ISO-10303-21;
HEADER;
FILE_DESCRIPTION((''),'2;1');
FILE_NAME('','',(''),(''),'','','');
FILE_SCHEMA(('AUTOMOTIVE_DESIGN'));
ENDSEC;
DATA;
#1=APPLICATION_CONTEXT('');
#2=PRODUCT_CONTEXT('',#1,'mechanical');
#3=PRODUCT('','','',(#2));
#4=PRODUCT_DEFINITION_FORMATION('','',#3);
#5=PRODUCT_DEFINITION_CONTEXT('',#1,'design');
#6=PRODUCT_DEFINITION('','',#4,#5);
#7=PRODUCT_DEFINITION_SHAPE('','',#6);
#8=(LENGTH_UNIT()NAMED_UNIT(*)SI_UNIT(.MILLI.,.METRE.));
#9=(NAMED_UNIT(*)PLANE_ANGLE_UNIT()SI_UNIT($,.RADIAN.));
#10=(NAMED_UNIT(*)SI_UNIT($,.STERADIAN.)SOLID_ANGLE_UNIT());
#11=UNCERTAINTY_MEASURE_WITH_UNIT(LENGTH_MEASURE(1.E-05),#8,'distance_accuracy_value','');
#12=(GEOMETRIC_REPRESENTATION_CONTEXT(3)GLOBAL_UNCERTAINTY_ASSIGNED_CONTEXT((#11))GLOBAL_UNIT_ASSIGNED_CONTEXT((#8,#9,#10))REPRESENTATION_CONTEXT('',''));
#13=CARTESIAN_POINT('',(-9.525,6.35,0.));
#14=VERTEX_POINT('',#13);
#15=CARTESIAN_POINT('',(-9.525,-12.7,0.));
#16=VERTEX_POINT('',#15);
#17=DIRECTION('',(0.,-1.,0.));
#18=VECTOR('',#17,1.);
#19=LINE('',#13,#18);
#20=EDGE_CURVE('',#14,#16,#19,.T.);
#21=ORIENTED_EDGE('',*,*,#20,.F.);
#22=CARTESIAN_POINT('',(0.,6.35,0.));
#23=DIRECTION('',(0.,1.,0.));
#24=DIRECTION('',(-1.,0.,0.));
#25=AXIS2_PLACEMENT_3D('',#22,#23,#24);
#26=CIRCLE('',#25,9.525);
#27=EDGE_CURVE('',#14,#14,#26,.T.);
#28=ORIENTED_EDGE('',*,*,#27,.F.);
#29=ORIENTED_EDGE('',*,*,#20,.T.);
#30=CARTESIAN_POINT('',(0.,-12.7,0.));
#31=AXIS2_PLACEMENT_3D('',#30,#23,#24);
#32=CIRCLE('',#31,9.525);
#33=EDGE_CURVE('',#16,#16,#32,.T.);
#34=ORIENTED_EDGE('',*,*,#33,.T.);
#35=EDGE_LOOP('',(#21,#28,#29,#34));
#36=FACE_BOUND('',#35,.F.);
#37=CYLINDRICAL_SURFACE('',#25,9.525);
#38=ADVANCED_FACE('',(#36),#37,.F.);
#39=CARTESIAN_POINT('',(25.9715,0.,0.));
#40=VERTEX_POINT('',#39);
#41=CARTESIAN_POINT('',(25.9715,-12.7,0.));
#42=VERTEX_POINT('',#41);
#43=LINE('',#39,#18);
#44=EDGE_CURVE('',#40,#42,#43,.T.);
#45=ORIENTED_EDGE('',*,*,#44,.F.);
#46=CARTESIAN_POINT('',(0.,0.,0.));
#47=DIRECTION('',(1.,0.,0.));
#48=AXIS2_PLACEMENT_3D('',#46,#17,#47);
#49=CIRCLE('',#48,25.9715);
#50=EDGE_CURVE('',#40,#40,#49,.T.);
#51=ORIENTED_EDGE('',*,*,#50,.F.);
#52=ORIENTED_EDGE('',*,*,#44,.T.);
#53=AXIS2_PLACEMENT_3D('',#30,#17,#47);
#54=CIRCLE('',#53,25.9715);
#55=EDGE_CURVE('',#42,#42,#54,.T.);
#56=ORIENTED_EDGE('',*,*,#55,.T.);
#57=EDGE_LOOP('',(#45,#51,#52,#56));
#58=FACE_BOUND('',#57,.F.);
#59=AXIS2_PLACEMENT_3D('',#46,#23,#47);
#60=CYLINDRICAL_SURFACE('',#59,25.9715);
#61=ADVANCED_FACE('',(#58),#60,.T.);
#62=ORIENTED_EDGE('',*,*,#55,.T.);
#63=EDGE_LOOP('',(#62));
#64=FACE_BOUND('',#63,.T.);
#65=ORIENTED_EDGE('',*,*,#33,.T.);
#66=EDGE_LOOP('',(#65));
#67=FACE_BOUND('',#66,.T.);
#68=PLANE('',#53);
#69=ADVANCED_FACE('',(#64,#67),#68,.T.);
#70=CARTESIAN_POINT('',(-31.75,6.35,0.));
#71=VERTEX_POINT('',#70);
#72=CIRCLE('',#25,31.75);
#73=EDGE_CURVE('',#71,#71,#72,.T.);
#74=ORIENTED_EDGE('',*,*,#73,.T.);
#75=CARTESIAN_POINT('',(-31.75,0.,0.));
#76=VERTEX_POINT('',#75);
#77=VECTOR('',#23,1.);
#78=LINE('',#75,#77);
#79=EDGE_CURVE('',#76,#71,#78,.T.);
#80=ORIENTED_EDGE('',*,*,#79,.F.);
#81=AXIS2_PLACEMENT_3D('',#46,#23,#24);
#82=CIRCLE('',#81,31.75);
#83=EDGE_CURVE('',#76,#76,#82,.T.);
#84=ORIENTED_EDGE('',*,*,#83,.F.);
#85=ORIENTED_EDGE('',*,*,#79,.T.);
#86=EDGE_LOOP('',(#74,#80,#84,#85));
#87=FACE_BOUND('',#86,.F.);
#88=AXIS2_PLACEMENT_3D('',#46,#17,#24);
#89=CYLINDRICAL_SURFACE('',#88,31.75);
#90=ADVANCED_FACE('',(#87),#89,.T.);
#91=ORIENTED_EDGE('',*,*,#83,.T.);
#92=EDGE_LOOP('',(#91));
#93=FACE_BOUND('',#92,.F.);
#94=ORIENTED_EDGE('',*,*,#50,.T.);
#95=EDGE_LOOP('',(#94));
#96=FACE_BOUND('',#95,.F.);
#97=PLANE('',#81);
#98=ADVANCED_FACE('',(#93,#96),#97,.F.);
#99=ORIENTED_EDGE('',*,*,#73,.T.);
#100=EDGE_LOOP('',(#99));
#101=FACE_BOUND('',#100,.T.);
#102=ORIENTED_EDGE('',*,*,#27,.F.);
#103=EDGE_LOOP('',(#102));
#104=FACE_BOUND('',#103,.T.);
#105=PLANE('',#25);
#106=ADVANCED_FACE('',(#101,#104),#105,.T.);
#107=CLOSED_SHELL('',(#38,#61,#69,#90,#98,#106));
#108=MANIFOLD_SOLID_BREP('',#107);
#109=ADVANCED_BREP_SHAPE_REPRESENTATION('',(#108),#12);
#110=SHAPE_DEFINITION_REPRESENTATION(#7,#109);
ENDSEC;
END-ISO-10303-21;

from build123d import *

# Parameters (mm, degrees)
F0_R     = 25.9715
F1_DEPTH = 12.7
F2_R     = 31.75
F3_DEPTH = 6.35
F4_R     = 9.525
F5_DEPTH = 19.05


with BuildPart() as f1:
    # F0 (on Front) → F1 (new body)
    with BuildSketch(Plane.XZ):
        Circle(F0_R)
    extrude(amount=F1_DEPTH)

    # F2 (on face) → F3 (join)
    with BuildSketch(Plane(origin=(0, 0, 0), x_dir=(-1, 0, 0), z_dir=(0, 1, 0))):
        Circle(F2_R)
    extrude(amount=F3_DEPTH)

    # F4 (on face) → F5 (cut, through all)
    with BuildSketch(Plane(origin=(0, 6.35, 0), x_dir=(-1, 0, 0), z_dir=(0, 1, 0))):
        Circle(F4_R)
    extrude(amount=-F5_DEPTH, mode=Mode.SUBTRACT)


solid = f1.part
